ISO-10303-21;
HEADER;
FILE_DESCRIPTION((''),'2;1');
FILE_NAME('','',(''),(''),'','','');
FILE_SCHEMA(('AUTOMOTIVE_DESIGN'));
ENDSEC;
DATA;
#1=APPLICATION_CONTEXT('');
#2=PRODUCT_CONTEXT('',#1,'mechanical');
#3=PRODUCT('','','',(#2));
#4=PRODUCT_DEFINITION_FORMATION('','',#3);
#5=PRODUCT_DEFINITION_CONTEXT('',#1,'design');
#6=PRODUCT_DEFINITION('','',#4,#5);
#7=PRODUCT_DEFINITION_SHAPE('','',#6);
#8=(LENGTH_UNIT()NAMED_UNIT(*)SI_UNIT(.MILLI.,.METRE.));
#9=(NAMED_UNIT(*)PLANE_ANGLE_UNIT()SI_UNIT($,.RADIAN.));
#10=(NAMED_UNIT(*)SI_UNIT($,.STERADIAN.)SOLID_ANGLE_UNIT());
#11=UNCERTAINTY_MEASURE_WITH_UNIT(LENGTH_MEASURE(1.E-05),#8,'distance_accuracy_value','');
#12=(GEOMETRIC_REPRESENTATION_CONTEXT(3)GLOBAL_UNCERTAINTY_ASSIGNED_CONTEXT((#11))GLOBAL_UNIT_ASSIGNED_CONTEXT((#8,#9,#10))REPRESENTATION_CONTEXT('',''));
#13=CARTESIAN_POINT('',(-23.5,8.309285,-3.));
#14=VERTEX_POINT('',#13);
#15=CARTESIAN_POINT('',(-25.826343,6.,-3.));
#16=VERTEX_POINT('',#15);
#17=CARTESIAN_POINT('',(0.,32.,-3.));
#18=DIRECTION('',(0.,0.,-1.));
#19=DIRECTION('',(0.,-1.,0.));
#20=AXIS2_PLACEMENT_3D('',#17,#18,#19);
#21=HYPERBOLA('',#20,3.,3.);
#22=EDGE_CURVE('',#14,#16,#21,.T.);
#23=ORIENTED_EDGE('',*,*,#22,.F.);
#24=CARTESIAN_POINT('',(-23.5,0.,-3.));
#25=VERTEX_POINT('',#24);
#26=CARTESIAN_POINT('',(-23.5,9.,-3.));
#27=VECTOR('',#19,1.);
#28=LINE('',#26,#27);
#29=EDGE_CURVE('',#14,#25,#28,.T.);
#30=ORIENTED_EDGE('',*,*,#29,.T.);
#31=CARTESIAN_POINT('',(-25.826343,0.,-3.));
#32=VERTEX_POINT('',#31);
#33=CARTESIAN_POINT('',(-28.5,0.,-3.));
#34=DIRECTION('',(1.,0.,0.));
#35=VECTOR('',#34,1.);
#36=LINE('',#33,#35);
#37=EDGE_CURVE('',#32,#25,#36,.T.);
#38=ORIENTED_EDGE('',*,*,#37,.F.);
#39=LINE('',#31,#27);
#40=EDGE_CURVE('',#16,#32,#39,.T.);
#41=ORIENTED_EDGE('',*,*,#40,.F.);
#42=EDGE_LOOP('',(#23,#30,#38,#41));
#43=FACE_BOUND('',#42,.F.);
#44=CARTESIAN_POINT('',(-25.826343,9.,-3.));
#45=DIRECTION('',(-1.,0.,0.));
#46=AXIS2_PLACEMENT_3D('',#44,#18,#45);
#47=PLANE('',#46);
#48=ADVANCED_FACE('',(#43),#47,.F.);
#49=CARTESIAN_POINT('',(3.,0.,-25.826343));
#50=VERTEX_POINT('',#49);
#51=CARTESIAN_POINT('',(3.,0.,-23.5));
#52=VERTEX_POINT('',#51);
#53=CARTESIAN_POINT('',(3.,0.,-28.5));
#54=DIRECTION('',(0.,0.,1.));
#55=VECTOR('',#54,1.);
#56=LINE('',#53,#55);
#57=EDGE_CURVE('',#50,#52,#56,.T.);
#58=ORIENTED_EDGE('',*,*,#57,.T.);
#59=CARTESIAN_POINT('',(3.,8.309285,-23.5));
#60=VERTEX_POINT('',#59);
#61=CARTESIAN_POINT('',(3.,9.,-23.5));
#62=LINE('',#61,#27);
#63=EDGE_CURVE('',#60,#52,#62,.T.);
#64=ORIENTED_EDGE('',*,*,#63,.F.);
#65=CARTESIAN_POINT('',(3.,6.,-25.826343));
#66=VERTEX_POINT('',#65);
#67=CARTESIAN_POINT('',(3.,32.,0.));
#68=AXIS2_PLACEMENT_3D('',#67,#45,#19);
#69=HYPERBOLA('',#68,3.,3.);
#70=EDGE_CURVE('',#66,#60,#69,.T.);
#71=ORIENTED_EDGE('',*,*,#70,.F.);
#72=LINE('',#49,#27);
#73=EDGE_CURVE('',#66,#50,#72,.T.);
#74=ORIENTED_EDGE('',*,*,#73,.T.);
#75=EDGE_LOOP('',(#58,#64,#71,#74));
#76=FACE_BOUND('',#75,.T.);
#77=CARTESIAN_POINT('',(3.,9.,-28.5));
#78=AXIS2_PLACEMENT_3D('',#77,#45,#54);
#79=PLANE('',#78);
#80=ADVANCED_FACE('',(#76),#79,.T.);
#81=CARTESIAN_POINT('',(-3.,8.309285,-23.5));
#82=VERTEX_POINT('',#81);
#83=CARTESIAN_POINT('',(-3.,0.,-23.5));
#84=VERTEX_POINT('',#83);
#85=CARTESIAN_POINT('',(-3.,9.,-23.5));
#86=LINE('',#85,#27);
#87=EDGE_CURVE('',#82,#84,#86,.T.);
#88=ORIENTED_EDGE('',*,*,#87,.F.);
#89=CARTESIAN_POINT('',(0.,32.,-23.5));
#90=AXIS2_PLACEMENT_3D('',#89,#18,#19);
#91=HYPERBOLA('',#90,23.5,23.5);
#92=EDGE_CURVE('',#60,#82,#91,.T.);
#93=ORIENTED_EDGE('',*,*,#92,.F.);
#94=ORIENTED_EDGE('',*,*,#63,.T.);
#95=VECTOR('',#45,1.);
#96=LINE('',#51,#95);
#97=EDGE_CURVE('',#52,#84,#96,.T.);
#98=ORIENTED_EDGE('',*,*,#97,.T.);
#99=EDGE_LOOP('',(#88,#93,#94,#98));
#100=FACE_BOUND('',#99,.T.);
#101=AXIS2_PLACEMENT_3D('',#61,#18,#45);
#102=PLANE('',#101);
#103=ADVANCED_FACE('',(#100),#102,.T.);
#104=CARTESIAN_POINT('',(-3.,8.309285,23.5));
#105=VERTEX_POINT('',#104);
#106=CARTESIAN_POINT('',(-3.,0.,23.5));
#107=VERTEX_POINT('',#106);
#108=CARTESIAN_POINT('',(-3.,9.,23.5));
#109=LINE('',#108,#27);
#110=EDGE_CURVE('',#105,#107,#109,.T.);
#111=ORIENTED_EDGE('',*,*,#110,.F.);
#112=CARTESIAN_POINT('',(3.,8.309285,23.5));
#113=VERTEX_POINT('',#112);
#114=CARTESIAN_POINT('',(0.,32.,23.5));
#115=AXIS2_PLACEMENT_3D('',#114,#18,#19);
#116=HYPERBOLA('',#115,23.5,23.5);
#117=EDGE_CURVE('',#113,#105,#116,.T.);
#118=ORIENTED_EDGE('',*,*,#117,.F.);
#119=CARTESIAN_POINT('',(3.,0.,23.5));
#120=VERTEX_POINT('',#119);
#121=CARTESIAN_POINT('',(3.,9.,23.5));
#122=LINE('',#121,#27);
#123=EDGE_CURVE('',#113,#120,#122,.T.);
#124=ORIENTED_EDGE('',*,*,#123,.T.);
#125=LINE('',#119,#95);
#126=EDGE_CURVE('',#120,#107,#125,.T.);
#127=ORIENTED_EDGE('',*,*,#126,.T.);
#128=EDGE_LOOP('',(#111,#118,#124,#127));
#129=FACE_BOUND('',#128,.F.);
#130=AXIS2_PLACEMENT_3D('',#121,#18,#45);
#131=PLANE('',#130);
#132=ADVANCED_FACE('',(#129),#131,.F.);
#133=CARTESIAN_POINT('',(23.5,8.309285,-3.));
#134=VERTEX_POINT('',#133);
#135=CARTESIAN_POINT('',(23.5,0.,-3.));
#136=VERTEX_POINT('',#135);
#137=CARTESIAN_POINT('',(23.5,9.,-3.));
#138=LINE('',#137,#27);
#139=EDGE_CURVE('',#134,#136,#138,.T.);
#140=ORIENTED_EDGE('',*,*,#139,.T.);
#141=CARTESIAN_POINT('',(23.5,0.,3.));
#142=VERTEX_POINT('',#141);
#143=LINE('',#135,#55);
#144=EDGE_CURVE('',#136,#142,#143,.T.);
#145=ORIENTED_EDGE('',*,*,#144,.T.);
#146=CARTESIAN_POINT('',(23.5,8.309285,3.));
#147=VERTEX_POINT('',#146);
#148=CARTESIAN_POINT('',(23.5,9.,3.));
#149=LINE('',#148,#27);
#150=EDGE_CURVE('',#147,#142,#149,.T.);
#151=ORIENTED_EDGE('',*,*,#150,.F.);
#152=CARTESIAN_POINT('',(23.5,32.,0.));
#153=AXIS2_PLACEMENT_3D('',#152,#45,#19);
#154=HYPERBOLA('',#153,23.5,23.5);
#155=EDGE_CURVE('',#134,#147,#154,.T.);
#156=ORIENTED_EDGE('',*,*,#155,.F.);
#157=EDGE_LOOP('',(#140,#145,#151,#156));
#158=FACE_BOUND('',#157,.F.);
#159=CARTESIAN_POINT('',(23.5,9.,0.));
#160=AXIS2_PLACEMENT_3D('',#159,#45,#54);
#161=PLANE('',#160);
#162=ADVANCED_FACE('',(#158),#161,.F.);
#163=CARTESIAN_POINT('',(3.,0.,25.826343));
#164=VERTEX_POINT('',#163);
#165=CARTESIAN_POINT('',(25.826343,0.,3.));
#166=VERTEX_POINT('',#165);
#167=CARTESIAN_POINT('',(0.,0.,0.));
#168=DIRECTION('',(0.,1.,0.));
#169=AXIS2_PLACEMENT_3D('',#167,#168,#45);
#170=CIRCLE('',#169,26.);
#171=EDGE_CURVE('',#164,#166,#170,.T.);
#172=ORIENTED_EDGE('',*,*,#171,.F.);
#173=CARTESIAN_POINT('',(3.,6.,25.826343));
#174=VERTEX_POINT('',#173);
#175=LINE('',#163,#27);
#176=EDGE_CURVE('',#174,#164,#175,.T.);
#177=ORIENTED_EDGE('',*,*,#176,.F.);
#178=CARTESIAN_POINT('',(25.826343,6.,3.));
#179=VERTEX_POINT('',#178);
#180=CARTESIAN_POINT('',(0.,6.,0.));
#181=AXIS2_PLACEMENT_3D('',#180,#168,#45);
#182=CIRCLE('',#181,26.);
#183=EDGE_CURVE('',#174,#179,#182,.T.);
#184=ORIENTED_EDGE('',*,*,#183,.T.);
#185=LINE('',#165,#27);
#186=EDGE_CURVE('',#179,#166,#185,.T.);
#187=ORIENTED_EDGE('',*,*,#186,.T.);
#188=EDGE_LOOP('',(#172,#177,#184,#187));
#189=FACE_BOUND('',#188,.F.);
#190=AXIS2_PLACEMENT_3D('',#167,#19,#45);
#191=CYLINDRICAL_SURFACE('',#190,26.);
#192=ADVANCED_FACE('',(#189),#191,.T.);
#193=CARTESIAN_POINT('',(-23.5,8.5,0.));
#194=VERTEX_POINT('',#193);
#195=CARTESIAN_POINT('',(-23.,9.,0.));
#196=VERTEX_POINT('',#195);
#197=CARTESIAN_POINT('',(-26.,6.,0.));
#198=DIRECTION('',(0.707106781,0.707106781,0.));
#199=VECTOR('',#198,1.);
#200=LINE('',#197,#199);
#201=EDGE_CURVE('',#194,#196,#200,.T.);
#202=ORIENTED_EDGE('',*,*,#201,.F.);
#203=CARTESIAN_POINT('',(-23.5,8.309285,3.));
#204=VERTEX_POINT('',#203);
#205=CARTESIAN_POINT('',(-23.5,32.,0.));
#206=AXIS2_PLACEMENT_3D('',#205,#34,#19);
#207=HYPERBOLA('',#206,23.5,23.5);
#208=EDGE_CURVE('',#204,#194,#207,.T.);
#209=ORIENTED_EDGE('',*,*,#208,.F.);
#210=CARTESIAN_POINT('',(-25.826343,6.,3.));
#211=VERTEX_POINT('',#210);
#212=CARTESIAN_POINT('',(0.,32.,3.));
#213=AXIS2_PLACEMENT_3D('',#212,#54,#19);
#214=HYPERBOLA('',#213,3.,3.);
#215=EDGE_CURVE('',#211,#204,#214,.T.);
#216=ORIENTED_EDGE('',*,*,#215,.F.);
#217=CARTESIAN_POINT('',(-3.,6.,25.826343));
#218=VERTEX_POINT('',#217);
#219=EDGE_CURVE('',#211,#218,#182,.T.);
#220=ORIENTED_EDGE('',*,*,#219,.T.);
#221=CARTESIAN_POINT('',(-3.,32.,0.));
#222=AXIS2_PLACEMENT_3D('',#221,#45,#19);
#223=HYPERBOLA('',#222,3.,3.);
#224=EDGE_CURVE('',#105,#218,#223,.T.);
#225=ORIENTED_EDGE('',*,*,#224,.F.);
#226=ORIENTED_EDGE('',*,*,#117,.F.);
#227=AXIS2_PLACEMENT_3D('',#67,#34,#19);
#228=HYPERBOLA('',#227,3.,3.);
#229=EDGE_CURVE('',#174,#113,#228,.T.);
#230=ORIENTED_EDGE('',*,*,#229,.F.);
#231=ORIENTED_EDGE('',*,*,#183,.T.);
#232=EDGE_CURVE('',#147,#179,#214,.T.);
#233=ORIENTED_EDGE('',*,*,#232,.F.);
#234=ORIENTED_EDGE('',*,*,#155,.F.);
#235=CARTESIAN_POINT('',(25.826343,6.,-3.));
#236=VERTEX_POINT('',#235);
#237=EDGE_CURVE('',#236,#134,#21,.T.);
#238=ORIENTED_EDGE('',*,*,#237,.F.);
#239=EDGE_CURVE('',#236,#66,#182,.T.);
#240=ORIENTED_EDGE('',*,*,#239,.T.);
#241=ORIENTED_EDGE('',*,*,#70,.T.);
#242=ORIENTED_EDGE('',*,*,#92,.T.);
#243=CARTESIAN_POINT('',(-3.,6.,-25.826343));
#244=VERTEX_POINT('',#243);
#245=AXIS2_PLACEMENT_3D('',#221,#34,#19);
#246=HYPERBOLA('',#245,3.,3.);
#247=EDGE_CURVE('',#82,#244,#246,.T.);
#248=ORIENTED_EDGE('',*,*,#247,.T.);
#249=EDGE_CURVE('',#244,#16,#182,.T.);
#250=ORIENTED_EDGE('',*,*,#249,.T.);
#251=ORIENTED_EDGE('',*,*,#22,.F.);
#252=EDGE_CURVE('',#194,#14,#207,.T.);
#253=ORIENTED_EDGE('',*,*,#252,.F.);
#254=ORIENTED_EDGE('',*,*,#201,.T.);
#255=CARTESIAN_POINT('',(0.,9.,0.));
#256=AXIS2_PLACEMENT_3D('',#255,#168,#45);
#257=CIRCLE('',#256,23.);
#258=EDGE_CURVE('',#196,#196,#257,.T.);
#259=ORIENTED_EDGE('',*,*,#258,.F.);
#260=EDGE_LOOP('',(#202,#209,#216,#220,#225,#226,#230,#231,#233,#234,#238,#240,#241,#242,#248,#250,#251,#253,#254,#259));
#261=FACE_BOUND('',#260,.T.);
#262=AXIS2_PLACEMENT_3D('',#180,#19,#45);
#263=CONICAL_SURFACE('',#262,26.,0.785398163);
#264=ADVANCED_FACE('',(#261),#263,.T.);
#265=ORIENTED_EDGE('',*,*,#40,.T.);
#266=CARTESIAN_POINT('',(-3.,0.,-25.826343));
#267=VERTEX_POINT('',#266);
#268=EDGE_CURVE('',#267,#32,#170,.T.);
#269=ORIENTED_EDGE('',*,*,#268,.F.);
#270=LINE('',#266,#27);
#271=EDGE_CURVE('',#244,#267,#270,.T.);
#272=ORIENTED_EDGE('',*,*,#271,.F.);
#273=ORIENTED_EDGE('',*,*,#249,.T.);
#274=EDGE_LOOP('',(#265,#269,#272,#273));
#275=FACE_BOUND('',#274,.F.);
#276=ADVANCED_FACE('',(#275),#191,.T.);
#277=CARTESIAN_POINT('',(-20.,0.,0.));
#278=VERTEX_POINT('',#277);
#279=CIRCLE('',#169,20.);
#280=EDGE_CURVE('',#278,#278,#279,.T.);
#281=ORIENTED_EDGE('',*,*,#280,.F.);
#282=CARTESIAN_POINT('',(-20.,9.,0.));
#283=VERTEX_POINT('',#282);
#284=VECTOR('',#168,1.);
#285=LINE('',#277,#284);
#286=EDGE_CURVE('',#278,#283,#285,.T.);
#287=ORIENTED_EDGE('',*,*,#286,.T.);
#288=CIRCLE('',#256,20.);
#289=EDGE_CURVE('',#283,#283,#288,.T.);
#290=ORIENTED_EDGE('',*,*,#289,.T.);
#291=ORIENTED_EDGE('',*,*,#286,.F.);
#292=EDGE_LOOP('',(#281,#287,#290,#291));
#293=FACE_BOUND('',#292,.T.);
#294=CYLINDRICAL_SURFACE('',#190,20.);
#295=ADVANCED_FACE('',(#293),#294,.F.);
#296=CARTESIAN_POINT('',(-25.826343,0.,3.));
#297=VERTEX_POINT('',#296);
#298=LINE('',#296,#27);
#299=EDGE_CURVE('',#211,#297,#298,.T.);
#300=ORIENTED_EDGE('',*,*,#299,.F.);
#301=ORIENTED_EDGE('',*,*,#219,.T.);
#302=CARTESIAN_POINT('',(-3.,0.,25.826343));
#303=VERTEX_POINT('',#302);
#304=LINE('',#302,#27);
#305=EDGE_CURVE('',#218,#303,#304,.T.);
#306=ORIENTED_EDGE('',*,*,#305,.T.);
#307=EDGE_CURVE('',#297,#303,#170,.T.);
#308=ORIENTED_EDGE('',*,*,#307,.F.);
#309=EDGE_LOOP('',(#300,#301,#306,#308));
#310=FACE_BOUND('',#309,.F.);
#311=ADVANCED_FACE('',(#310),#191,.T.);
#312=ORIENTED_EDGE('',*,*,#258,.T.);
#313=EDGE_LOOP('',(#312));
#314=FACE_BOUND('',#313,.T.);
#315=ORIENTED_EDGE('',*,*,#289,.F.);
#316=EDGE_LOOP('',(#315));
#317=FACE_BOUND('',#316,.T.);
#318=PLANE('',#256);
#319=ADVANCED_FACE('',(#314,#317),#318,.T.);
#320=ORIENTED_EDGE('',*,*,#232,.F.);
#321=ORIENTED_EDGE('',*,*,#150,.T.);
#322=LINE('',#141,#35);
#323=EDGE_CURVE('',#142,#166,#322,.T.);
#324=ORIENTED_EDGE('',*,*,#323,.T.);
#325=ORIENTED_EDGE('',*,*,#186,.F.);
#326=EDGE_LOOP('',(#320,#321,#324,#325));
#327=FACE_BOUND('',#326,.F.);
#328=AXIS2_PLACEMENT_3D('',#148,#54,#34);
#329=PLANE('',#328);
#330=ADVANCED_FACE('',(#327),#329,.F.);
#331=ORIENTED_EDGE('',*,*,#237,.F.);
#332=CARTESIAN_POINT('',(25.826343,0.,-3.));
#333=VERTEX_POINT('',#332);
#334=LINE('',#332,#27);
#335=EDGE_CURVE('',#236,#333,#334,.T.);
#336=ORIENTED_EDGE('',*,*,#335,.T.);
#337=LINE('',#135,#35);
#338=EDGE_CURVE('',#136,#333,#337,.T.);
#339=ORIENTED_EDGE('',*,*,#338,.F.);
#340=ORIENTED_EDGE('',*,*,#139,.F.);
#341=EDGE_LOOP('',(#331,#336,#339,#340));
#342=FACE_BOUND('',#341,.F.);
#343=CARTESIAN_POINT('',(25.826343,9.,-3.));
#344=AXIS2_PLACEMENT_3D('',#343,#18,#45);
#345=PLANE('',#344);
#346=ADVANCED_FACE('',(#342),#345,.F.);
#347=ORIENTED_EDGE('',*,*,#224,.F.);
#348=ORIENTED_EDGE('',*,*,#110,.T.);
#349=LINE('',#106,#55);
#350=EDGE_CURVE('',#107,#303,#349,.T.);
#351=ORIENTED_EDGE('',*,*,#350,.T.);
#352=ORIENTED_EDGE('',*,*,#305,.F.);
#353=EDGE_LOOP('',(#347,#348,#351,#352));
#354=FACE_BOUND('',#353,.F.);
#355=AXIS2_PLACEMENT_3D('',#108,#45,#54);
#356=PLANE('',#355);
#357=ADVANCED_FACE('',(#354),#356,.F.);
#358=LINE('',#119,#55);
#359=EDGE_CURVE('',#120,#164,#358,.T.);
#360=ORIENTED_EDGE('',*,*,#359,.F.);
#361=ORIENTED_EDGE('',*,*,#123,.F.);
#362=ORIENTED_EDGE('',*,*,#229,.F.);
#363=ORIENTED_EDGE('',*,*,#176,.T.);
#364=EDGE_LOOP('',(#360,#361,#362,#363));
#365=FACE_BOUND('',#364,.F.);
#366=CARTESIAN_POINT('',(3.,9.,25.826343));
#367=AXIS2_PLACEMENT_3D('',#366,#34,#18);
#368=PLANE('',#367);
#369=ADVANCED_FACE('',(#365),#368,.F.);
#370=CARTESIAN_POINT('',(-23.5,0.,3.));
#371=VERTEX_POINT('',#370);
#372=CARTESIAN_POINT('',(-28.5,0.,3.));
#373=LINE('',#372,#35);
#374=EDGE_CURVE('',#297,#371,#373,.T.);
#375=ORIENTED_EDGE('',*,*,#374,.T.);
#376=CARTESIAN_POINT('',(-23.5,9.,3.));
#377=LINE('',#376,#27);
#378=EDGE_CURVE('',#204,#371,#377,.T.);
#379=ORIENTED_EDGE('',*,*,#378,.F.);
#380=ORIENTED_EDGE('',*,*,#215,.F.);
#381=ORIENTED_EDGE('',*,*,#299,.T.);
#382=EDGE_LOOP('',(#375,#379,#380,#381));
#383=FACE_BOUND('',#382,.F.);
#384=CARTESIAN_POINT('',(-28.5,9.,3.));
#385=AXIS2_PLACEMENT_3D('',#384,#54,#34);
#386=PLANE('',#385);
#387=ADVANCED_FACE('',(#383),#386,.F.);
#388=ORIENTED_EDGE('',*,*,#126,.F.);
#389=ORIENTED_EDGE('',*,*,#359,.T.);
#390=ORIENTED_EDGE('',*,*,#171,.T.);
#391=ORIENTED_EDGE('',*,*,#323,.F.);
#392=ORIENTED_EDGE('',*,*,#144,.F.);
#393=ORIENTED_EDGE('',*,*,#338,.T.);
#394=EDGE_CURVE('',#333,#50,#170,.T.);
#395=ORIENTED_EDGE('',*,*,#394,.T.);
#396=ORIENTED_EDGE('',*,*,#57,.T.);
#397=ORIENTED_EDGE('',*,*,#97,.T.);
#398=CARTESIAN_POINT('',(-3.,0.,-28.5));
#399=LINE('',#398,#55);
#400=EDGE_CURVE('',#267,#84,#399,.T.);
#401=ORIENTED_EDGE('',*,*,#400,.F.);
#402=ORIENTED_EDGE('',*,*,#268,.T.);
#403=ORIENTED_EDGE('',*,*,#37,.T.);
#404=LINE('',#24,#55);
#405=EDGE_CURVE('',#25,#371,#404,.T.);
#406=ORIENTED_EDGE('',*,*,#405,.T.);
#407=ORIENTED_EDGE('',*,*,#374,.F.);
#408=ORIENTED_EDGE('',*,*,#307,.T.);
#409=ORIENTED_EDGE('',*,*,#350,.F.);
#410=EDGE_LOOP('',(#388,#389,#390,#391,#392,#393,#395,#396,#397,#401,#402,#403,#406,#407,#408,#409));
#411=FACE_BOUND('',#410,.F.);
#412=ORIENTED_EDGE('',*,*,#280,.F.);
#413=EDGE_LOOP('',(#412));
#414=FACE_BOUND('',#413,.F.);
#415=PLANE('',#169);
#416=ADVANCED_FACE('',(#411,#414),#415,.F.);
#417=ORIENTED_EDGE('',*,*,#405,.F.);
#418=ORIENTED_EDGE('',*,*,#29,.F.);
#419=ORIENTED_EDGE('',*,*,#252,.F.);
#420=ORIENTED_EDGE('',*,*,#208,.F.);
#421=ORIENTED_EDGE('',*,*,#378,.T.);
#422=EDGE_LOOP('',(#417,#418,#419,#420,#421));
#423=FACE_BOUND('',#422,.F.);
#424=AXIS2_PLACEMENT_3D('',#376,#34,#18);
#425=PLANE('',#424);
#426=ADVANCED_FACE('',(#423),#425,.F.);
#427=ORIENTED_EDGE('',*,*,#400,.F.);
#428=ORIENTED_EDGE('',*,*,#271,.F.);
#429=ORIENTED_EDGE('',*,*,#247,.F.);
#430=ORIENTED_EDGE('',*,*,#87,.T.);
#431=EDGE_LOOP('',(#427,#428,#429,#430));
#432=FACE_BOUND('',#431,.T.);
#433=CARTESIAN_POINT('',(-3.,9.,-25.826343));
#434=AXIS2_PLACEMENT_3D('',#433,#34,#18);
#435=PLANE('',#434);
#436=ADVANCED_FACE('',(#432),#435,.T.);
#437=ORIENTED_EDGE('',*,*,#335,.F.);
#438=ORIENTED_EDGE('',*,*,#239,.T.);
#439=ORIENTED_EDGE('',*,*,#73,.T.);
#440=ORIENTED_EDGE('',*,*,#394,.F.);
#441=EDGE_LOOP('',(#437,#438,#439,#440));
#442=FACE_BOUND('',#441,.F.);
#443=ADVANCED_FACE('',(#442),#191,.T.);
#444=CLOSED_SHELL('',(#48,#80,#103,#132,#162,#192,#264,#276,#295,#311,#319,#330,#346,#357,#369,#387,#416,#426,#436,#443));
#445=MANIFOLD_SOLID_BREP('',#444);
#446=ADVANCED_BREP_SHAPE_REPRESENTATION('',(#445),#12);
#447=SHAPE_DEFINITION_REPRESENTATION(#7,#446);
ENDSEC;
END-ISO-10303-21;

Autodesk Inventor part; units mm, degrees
sketch "Skizze1" plane through (0, 0, 0) normal (0, 1, 0) x (-1, 0, 0)
  circle A0 centre (0, 0) radius 20
  circle A1 centre (0, 0) radius 26
  dimension "d0" = 40
  dimension "d1" = 52
extrude "Extrusion1" add sketch "Skizze1" along normal blind 9
chamfer "Fase1" distance 3 angle 45 1 edges at (26, 9, 0)
sketch "Skizze2" plane through (0, 9, 0) normal (0, 1, 0) x (1, 0, 0)
  line L0 (-28.5, -3) -> (-23.5, -3)
  line L1 (-23.5, -3) -> (-23.5, 3)
  line L2 (-23.5, 3) -> (-28.5, 3)
  line L3 (-28.5, 3) -> (-28.5, -3)
  circle A0 centre (0, 0) radius 26 projected
  line L4 (-28.5, -3) -> (-23.5, 3) construction
  line L5 (-23.5, -3) -> (-28.5, 3) construction
  line L6 (3, 23.5) -> (-3, 23.5)
  line L7 (-3, 23.5) -> (-3, 28.5)
  line L8 (-3, 28.5) -> (3, 28.5)
  line L9 (3, 28.5) -> (3, 23.5)
  line L10 (3, 23.5) -> (-3, 28.5) construction
  line L11 (-3, 23.5) -> (3, 28.5) construction
  line L12 (3, -23.5) -> (-3, -23.5)
  line L13 (-3, -23.5) -> (-3, -28.5)
  line L14 (-3, -28.5) -> (3, -28.5)
  line L15 (3, -28.5) -> (3, -23.5)
  line L16 (3, -23.5) -> (-3, -28.5) construction
  line L17 (-3, -23.5) -> (3, -28.5) construction
  line L18 (23.5, -3) -> (28.5, -3)
  line L19 (28.5, -3) -> (28.5, 3)
  line L20 (28.5, 3) -> (23.5, 3)
  line L21 (23.5, 3) -> (23.5, -3)
  line L22 (23.5, -3) -> (28.5, 3) construction
  line L23 (28.5, -3) -> (23.5, 3) construction
  line L24 (-39.9, 0) -> (39.9, 0) projected
  point P0 (-26, 0)
  point P1 (0, 26)
  point P2 (0, -26)
  point P3 (26, 0)
  dimension "d7" = 5
  dimension "d8" = 6
  dimension "d9" = 5
  dimension "d10" = 26
  dimension "d11" = 6
  dimension "d12" = 0
  dimension "d13" = 6
  dimension "d14" = 5
  dimension "d15" = 5
  dimension "d16" = 0
extrude "Extrusion2" cut sketch "Skizze2" against normal blind 9 contours L3 L24 A0 L0 | A0 L24 L1 L0 | L3 L2 A0 L24 | A0 L2 L1 L24 | L13 L12 L15 A0 | A0 L15 L14 L13 | L24 A0 L18 L21 | L21 L20 A0 L24 | L7 L8 L9 A0 | A0 L9 L6 L7 | A0 L24 L19 L18 | A0 L20 L19 L24
thread "Gewinde1" size "M40x1.5" class "6H" standard "ANSI Metric M Profile" full length
properties part number "Sicherheitsmutter_m40"
